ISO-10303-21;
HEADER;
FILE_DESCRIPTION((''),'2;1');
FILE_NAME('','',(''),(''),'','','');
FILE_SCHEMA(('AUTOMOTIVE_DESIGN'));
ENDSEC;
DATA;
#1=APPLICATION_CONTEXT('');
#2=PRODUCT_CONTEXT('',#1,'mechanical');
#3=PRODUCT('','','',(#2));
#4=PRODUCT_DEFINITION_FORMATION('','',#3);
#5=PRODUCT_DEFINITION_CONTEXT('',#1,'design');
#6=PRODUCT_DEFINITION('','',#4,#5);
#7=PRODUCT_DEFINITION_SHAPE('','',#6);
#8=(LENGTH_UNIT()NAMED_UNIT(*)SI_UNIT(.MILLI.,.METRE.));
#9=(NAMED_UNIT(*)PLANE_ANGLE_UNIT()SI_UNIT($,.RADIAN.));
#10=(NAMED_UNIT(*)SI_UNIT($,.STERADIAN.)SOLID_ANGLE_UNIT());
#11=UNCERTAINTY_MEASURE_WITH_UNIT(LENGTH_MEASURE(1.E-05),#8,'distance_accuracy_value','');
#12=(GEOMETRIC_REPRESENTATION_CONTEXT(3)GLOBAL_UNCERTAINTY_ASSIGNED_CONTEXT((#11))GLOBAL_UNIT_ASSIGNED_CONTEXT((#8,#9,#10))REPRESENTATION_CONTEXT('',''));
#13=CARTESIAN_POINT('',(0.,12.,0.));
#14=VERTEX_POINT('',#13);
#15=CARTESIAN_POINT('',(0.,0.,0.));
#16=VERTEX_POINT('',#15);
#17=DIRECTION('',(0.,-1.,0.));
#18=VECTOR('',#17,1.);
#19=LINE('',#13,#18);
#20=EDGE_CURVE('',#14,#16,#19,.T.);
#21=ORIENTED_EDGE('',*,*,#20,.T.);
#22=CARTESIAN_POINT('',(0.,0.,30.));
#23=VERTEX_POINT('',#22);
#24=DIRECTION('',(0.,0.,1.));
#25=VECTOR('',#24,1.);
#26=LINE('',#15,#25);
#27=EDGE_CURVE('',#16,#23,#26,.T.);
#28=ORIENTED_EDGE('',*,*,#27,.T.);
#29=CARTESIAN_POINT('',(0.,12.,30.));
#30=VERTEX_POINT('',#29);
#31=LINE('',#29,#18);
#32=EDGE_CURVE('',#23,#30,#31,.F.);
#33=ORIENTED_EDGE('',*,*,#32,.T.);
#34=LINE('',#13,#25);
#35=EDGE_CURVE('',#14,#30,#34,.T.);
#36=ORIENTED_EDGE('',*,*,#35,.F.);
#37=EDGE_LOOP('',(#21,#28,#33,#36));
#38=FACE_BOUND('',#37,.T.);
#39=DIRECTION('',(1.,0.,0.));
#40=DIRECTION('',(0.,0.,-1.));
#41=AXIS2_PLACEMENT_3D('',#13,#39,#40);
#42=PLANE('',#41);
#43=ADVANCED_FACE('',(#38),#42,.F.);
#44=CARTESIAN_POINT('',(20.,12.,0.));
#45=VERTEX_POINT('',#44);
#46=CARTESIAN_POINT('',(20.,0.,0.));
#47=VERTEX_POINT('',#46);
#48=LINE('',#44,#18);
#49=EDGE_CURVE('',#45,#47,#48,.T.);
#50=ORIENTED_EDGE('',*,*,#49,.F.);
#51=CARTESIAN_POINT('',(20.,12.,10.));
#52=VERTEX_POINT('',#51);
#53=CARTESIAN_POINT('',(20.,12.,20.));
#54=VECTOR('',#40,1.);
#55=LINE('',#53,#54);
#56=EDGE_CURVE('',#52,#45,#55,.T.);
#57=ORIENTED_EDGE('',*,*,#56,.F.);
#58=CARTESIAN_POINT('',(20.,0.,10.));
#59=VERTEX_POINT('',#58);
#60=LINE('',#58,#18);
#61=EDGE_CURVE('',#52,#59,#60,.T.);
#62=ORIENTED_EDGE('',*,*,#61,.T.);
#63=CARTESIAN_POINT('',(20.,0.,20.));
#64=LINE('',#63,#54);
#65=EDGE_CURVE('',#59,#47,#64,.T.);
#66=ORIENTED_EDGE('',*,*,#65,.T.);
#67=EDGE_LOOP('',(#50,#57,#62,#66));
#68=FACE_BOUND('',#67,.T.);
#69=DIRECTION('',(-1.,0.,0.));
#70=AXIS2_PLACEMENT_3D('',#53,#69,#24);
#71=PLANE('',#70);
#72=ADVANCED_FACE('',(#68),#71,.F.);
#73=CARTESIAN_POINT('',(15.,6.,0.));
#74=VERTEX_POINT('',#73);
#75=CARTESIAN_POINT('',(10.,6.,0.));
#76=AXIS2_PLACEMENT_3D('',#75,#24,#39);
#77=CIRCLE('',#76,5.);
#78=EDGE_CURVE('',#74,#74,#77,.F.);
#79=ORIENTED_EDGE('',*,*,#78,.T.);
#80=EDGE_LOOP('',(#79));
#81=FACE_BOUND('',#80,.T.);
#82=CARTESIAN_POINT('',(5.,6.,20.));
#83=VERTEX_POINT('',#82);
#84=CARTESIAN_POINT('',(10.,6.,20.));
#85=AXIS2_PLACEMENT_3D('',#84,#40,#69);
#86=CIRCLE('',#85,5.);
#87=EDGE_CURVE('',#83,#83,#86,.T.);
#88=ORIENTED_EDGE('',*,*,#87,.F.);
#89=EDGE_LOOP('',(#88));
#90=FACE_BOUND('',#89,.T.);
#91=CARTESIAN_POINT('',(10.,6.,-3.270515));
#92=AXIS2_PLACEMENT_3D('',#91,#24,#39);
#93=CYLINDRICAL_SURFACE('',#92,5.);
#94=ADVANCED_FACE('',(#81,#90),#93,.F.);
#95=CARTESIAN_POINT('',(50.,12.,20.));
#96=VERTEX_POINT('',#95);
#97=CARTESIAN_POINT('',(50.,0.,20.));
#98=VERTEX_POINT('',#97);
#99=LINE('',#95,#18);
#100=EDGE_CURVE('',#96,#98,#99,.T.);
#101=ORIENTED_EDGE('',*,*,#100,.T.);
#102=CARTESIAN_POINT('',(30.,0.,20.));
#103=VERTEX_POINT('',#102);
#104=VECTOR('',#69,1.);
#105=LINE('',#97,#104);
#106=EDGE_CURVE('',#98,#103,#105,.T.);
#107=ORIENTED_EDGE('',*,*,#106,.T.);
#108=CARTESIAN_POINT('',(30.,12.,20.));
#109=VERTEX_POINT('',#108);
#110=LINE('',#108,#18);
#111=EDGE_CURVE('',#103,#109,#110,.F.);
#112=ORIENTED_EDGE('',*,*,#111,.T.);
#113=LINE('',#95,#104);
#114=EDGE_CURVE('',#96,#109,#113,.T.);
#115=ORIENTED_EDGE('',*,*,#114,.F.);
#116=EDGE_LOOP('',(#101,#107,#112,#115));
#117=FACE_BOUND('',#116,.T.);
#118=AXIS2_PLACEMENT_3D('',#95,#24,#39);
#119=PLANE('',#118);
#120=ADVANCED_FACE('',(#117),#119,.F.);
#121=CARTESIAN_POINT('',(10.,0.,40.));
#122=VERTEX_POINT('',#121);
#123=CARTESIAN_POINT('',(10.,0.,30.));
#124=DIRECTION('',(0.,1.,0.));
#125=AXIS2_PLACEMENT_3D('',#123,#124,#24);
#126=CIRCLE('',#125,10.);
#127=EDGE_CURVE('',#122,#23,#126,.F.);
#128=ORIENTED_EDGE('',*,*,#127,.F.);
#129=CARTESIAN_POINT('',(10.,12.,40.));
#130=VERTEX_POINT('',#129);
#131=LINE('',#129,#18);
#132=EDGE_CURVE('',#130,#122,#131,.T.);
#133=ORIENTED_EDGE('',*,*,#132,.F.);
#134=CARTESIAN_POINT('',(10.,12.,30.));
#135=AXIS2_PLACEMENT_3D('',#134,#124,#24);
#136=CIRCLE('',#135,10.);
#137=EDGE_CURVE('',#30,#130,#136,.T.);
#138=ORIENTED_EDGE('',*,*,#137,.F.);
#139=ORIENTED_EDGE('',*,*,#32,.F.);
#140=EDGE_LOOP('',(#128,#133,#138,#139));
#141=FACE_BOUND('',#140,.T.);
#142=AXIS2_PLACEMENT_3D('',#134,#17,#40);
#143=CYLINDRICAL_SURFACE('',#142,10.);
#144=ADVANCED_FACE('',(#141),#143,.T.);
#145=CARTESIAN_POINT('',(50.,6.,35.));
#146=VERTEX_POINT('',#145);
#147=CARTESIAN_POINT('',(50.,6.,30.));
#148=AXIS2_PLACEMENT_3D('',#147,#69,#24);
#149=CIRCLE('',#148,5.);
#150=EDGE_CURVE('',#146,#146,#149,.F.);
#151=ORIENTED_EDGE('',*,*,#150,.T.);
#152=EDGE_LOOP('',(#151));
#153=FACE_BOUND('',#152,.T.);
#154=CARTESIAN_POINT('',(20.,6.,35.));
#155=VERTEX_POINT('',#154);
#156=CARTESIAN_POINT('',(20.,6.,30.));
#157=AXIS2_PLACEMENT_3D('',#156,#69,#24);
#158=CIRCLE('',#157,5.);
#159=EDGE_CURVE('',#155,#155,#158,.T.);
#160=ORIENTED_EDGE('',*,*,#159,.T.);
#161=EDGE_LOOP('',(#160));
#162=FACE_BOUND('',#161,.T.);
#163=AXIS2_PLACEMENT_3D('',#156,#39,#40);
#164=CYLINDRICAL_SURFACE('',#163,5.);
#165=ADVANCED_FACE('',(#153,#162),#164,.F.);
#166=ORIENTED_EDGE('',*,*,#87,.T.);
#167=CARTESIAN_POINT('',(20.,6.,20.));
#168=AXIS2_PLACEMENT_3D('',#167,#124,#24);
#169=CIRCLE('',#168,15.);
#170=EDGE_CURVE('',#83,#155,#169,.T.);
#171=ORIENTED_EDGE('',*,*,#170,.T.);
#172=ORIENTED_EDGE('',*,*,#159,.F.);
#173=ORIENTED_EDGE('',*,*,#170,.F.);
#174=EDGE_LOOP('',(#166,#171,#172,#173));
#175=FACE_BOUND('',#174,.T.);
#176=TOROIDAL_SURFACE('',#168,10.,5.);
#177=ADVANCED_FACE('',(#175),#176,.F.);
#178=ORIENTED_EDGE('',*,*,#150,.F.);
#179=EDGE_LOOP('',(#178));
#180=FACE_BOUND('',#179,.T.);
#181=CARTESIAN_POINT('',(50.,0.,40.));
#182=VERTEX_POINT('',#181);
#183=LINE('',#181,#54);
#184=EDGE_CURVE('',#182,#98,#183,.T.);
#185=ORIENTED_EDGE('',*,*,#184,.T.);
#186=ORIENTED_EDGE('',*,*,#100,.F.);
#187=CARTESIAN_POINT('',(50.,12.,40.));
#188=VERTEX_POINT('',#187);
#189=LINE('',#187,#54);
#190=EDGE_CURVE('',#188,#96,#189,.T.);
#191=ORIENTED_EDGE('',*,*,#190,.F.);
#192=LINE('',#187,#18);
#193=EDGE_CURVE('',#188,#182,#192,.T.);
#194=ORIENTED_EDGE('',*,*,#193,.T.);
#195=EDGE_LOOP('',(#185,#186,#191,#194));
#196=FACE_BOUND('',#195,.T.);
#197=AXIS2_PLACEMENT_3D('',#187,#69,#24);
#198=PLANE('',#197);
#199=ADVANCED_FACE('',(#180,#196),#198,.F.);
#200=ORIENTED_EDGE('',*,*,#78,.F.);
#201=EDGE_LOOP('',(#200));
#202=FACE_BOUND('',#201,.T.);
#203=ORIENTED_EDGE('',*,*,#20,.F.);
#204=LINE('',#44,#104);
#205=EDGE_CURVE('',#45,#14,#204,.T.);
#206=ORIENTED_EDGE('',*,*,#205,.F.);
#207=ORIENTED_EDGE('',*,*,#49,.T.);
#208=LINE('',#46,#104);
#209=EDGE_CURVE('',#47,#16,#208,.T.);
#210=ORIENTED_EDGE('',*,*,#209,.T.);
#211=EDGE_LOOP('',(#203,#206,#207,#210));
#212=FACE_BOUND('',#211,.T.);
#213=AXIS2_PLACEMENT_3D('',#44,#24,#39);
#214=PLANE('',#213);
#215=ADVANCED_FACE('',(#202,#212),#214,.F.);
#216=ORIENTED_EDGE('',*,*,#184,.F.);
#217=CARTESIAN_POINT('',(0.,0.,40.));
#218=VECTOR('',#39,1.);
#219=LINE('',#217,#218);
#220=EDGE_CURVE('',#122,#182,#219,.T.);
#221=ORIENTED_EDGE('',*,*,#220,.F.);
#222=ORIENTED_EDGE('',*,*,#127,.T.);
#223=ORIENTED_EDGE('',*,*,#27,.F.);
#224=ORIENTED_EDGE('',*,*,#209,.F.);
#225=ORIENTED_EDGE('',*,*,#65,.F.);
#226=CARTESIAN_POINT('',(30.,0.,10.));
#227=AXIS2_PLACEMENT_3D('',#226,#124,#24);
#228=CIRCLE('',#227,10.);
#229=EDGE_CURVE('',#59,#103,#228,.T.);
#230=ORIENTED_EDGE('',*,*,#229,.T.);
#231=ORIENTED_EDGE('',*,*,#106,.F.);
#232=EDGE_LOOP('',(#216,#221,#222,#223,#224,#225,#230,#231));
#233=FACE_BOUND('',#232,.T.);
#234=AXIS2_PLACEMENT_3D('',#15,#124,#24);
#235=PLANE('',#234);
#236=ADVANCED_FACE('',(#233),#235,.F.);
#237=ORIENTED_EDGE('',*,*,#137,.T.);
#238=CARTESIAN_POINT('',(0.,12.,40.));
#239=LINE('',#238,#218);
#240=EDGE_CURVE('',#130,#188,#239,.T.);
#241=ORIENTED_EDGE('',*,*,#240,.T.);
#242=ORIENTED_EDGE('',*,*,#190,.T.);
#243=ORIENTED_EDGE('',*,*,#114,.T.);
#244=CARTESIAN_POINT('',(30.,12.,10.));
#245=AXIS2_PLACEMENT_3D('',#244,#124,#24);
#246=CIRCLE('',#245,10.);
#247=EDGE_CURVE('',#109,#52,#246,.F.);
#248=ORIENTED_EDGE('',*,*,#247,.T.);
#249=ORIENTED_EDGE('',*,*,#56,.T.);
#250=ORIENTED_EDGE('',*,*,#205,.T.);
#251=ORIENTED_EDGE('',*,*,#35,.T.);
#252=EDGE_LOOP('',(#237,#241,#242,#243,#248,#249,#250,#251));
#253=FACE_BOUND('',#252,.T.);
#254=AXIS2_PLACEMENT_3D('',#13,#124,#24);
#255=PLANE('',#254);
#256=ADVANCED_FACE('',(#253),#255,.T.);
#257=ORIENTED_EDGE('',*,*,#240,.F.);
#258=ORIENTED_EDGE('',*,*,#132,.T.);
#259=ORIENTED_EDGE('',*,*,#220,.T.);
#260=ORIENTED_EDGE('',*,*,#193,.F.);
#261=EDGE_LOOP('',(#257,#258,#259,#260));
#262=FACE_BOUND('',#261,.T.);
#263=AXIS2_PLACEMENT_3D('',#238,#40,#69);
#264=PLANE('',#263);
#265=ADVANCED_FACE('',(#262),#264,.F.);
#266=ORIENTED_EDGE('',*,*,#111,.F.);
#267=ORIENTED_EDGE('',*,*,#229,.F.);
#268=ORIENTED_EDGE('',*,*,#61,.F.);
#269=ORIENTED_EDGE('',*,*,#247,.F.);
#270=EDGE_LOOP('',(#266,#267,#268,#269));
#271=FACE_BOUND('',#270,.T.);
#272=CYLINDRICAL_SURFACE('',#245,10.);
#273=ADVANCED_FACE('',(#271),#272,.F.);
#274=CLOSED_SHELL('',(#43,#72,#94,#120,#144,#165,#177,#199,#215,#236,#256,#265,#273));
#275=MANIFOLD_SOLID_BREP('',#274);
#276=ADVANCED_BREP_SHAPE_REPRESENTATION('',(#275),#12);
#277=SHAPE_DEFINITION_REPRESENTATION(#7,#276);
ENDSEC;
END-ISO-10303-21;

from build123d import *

# Parameters (mm, degrees)
EXTRUDE_1_DEPTH = 12
FILLET_2_R      = 10
SKETCH_2_R      = 5


with BuildPart() as part:
    # 草图1 → 凸台-拉伸1 (new body)
    with BuildSketch(Plane(origin=(0, 0, 0), x_dir=(1, 0, 0), z_dir=(0, 1, 0))):
        Polygon((0, 0), (0, -40), (50, -40), (50, -20), (20, -20), (20, 0), align=None)
    extrude(amount=EXTRUDE_1_DEPTH)

    # 圆角2
    fillet_2_edges = [part.edges().sort_by_distance(p)[0] for p in [
        (20, 6, 20),
        (0, 6, 40),
    ]]
    fillet(fillet_2_edges, radius=FILLET_2_R)

    # 切除-扫描1: sweep along a path in 草图4
    with BuildLine(Plane(origin=(0, 6, 0), x_dir=(-1, 0, 0), z_dir=(0, -1, 0))) as sweep_1_path:
        Line((-10, 3.270515342), (-10, -20))
        ThreePointArc((-10, -20), (-12.928932188, -27.071067812), (-20, -30))
        Line((-20, -30), (-53.042337367, -30))
    # 草图2 → 切除-扫描1 (sweep, cut)
    with BuildSketch(Plane(origin=(0, 0, 0), x_dir=(-1, 0, 0), z_dir=(0, 0, -1))):
        with Locations((-10, 6)):
            Circle(SKETCH_2_R)
    sweep(path=sweep_1_path.line, mode=Mode.SUBTRACT)


solid = part.part
